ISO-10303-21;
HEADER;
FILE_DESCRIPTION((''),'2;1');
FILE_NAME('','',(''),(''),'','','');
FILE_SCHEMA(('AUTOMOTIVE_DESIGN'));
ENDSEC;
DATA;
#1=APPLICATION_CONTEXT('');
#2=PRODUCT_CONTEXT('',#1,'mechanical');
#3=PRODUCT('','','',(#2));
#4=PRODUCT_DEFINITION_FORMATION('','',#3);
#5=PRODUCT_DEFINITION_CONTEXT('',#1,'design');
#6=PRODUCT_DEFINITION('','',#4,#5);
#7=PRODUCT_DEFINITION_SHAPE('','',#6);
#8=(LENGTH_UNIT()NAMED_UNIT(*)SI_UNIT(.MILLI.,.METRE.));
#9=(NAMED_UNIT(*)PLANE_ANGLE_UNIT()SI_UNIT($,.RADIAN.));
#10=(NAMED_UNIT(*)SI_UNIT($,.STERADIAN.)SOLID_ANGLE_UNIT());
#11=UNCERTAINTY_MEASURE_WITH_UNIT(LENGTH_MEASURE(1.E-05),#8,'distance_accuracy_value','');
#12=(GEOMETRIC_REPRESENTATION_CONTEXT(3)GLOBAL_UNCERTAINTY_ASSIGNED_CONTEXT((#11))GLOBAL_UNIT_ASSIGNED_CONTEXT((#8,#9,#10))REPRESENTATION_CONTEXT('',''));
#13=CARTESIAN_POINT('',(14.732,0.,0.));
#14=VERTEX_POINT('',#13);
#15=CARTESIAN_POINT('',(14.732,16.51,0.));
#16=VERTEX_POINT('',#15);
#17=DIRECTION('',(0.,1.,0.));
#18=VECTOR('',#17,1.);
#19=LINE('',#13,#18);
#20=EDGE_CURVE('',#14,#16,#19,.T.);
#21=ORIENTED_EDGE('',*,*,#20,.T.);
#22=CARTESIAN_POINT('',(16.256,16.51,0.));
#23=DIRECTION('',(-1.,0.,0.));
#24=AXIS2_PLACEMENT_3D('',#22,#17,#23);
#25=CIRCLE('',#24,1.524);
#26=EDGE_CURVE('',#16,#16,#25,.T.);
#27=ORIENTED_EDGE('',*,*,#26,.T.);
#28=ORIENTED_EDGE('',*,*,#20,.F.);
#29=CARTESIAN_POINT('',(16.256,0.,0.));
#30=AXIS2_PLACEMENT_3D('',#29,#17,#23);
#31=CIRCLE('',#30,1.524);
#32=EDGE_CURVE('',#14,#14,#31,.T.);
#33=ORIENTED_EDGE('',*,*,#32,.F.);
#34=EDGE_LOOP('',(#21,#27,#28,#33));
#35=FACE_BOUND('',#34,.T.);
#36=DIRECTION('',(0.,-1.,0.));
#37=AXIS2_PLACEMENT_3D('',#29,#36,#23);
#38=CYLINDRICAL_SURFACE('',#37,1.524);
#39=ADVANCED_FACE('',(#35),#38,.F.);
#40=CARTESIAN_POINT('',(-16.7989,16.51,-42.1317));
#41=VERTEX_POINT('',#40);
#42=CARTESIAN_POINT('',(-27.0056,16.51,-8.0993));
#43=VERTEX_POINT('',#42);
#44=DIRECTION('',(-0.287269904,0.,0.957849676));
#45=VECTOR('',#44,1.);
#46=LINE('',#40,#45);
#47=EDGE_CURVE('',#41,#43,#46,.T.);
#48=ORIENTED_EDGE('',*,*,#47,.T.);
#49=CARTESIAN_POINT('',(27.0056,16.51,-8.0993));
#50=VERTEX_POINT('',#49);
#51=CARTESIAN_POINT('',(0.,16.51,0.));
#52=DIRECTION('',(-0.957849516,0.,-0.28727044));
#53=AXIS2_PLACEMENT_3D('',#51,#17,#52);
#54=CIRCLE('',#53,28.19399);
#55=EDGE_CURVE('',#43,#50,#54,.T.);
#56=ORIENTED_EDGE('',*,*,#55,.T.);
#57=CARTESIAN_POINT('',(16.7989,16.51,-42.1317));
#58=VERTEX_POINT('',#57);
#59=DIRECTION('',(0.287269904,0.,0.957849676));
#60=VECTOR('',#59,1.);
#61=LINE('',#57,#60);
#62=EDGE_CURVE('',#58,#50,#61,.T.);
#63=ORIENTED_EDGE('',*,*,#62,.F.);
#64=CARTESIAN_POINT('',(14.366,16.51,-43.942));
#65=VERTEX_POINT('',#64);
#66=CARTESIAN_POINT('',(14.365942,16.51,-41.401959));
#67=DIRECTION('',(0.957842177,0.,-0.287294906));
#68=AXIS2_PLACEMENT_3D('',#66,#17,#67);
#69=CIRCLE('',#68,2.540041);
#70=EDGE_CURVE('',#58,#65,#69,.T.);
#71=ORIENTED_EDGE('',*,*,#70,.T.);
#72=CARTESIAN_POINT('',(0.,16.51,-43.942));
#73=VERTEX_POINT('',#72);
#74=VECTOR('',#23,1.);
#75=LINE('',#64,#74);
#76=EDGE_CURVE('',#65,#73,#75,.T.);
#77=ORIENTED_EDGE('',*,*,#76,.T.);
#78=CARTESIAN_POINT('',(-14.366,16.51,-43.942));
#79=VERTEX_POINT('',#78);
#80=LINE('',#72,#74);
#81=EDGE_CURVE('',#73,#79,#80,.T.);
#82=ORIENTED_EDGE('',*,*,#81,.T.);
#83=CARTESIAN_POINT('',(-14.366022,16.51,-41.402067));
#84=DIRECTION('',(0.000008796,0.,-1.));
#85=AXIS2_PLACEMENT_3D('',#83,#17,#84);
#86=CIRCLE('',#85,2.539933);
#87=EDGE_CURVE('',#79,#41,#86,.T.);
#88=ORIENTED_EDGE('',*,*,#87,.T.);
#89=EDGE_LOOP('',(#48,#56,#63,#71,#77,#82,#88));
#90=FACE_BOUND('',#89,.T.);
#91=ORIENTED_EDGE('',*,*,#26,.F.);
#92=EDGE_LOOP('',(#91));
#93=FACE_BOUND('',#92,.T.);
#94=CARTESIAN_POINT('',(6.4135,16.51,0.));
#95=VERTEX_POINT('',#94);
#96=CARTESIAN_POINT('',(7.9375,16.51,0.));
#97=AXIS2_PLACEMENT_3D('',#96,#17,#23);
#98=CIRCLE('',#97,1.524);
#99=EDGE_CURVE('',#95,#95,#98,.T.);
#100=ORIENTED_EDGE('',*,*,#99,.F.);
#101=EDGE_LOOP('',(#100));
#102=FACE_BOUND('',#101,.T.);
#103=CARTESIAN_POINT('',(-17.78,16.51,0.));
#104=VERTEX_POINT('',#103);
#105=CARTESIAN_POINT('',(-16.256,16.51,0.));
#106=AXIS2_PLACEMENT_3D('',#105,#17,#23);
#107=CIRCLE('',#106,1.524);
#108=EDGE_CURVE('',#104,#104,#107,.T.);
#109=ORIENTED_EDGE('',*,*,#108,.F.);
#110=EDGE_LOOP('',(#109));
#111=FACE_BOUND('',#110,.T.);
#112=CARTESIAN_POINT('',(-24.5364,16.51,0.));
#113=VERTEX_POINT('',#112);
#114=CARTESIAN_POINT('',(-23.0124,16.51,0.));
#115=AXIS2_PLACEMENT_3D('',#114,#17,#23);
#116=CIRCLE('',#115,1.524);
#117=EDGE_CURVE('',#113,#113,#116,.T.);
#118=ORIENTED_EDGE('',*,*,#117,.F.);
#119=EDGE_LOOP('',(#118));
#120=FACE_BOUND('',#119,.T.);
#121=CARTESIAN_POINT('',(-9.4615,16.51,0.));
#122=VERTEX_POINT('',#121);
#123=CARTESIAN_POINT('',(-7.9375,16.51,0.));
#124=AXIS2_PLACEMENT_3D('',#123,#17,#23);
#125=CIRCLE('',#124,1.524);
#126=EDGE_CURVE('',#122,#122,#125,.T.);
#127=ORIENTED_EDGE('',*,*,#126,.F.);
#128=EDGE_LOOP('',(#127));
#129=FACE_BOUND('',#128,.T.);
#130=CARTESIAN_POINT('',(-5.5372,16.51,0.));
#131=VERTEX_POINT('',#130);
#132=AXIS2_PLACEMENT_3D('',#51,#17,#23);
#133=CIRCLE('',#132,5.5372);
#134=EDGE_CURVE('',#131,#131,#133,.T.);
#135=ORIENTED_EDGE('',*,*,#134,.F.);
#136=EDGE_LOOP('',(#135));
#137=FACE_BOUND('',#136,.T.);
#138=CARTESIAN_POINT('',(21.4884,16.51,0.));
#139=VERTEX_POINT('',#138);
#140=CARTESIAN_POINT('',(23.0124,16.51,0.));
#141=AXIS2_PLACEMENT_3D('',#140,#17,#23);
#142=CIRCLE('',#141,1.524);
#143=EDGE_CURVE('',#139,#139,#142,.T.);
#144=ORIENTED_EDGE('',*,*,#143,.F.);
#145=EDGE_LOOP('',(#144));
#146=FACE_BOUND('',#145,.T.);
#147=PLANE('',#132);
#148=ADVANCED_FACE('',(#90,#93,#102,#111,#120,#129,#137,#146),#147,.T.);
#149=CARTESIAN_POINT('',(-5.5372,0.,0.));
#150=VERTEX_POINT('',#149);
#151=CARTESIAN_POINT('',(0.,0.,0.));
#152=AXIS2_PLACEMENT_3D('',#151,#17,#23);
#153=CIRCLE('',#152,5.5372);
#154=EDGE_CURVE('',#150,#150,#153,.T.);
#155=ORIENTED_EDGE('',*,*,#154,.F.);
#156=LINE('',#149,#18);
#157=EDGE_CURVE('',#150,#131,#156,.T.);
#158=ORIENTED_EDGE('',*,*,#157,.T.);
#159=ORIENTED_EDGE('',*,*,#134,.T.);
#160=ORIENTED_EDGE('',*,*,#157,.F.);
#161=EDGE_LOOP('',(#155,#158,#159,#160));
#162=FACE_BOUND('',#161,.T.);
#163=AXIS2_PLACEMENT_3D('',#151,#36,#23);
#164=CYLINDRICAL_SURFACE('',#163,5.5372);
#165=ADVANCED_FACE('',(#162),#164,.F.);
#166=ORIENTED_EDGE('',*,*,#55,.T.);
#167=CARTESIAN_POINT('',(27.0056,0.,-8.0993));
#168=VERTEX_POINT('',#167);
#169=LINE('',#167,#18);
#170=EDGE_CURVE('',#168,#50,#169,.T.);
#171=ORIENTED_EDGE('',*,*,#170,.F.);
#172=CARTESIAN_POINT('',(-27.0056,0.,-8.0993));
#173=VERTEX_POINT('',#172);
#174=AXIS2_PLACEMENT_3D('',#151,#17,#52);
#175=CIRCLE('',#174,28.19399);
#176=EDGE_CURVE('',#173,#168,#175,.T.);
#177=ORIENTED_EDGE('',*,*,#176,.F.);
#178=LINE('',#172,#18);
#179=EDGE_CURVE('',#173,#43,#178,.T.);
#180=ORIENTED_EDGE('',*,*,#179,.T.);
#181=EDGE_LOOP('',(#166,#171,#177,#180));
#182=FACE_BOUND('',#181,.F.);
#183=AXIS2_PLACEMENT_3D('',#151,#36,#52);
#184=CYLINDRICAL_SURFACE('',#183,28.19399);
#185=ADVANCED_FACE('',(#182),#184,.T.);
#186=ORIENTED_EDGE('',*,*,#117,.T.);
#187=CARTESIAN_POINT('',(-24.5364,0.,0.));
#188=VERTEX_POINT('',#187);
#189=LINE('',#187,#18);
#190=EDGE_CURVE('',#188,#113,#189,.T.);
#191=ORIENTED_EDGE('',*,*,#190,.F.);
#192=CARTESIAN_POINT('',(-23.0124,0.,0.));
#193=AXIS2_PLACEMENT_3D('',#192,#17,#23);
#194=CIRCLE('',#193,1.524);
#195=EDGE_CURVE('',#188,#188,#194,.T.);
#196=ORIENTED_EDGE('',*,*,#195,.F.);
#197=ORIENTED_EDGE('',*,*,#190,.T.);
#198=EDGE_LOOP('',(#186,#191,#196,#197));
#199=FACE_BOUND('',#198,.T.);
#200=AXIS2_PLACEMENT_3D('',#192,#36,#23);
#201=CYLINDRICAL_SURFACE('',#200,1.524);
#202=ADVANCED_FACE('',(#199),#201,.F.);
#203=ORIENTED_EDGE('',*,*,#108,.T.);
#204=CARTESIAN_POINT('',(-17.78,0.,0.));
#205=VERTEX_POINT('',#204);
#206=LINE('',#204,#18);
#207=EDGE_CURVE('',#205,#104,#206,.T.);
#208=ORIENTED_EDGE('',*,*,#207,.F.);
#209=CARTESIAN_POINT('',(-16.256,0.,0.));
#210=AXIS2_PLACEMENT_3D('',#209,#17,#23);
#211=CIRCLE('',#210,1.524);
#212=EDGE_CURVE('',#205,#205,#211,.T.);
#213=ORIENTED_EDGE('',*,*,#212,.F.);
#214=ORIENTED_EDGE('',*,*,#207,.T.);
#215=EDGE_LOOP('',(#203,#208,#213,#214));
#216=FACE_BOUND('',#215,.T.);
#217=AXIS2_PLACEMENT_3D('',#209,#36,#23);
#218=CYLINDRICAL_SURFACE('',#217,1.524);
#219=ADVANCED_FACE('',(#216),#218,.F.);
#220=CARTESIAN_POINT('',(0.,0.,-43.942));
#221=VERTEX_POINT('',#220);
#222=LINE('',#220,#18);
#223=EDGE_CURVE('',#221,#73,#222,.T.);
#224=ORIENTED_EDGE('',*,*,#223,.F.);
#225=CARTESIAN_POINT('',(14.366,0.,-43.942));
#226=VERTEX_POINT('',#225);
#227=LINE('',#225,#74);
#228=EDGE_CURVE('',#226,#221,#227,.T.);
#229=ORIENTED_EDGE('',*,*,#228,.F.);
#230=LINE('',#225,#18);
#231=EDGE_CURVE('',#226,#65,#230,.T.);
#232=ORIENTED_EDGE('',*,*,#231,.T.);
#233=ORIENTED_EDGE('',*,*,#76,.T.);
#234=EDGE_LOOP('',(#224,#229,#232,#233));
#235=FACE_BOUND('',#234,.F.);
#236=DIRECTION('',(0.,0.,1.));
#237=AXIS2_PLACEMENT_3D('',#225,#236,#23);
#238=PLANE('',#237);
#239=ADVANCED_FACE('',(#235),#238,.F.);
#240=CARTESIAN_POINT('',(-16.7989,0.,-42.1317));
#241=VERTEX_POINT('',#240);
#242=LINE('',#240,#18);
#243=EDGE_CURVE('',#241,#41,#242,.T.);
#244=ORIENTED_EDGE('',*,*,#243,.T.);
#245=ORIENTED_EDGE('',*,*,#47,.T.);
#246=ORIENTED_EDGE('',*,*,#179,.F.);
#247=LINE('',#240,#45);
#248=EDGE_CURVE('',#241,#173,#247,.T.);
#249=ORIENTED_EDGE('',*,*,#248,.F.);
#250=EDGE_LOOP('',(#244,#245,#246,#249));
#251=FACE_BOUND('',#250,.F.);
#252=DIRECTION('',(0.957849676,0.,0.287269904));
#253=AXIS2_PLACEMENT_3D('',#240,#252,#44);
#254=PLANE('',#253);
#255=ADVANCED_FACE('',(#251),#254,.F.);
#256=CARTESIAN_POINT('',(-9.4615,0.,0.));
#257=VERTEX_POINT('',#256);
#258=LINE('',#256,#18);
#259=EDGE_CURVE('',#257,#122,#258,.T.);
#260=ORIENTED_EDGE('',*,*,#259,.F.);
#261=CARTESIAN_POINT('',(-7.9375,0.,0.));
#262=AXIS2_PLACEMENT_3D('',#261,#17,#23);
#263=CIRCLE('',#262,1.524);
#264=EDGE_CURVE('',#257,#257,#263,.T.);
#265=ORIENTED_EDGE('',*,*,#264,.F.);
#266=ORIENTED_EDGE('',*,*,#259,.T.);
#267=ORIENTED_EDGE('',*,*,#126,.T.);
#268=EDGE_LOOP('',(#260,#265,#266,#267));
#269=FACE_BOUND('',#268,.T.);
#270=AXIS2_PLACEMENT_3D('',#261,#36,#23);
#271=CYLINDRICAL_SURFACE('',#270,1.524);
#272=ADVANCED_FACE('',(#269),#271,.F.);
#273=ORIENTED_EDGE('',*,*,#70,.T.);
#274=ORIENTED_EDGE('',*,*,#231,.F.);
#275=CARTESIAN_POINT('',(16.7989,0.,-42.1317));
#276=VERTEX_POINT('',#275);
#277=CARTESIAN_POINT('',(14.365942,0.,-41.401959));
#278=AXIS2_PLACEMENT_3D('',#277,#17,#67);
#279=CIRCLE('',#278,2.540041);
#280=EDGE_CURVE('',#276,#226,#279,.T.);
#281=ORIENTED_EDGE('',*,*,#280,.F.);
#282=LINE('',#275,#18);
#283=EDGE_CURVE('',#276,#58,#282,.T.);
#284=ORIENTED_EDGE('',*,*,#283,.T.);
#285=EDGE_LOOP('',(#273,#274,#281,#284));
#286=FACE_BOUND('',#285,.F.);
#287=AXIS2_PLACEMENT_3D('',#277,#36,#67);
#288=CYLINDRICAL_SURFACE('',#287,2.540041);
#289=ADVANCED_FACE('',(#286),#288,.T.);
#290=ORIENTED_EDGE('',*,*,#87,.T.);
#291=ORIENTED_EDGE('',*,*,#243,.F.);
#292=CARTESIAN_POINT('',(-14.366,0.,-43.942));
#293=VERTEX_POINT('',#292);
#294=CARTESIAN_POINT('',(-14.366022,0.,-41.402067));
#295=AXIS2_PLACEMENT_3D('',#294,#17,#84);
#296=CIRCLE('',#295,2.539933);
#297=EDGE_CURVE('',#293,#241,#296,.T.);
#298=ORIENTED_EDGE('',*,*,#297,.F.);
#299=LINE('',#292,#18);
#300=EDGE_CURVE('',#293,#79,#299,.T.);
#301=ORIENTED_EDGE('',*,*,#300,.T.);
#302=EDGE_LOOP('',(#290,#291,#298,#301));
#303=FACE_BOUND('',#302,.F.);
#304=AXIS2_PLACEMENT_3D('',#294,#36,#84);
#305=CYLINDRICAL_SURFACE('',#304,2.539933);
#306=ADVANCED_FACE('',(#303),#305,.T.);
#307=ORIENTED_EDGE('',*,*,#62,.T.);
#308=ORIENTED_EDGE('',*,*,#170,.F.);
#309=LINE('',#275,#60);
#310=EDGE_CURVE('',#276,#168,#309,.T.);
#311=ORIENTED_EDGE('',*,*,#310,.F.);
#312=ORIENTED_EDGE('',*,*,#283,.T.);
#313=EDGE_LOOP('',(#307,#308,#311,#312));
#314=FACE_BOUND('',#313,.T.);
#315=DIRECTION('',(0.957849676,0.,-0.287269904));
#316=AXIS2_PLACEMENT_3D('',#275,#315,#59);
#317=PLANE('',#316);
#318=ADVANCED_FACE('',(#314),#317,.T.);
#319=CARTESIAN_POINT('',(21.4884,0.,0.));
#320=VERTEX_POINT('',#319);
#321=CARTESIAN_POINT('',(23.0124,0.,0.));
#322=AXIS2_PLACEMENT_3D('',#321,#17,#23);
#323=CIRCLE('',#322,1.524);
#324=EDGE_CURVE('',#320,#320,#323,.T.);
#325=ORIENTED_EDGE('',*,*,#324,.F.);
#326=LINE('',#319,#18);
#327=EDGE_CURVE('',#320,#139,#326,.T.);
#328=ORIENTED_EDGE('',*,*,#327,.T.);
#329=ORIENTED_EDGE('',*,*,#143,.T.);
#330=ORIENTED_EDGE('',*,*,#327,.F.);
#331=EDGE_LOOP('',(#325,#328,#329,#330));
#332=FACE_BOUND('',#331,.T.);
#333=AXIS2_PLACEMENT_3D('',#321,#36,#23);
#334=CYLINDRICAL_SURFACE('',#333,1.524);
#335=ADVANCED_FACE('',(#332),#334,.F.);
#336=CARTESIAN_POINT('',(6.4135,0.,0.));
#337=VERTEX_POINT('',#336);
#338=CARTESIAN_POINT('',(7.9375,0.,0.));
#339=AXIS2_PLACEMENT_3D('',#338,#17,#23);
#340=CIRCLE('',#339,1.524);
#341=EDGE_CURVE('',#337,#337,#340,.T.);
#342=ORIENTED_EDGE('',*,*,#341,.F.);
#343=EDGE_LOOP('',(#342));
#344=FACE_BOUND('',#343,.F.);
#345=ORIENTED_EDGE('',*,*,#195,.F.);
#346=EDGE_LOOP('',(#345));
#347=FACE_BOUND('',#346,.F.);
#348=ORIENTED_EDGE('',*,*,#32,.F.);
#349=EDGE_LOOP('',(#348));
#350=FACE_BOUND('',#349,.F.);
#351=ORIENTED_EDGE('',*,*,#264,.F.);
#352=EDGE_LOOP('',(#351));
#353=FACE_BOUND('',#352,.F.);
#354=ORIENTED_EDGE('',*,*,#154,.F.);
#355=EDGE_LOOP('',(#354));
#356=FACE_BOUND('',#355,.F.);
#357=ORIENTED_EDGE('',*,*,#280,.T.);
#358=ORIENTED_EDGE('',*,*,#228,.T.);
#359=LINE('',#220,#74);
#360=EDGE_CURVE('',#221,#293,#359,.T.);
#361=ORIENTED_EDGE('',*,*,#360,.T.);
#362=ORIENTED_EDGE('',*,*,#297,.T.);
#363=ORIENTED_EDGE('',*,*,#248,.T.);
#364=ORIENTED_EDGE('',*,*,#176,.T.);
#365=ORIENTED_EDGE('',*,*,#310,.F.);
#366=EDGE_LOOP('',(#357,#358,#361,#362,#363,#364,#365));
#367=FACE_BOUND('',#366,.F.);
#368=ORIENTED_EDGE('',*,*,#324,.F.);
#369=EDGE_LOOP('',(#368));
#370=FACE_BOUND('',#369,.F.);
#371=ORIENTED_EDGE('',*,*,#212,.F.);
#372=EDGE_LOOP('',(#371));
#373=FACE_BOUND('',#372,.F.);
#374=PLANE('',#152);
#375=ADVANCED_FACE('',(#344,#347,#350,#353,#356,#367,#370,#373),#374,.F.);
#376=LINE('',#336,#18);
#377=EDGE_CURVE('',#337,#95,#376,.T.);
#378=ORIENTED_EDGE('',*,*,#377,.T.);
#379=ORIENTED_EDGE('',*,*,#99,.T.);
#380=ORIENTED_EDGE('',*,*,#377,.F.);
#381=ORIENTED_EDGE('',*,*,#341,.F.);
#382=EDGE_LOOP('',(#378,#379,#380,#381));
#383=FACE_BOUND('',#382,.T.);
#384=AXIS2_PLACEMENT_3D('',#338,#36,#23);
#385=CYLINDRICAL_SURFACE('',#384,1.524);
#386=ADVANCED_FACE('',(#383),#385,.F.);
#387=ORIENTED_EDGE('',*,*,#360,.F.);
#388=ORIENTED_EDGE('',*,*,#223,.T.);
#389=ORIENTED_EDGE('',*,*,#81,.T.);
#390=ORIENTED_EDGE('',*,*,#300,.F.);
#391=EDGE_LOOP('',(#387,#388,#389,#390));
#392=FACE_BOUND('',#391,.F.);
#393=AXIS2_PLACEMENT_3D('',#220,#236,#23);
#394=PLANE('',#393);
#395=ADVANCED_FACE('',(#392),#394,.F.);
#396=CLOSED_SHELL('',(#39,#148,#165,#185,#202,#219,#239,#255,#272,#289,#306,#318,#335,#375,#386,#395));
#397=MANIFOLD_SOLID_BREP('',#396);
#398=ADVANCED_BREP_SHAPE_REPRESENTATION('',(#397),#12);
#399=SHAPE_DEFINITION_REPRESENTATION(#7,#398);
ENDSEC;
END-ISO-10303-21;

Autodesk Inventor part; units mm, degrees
ref_plane "YZ Plane" through (0, 0, 0) normal (1, 0, 0) x (0, 1, 0)
ref_plane "XZ Plane" through (0, 0, 0) normal (0, 1, 0) x (-1, 0, 0)
ref_plane "XY Plane" through (0, 0, 0) normal (0, 0, 1) x (1, 0, 0)
sketch "Sketch1" plane through (0, 0, 0) normal (0, 1, 0) x (-1, 0, 0)
  arc A0 (27.0056, -8.0993) -> (-27.0056, -8.0993) centre (0, 0) ccw
  line L0 (0, -43.942) -> (14.366, -43.942)
  line L1 (-14.366, -43.942) -> (0, -43.942)
  line L2 (0, 15.1299) -> (0, -95.843) construction
  line L3 (33.8234, 0) -> (-34.0336, 0) construction
  line L4 (16.256, 0) -> (16.256, -43.942) construction
  line L5 (16.7989, -42.1317) -> (27.0056, -8.0993)
  line L6 (-16.7989, -42.1317) -> (-27.0056, -8.0993)
  circle A1 centre (0, 0) radius 5.5372
  arc A2 (14.366, -43.942) -> (16.7989, -42.1317) centre (14.366, -41.402) ccw
  arc A3 (-16.7989, -42.1317) -> (-14.366, -43.942) centre (-14.366, -41.402) ccw
  circle A4 centre (7.9375, 0) radius 1.524
  line L7 (0, 0) -> (7.9375, 0) construction
  circle A5 centre (-7.9375, 0) radius 1.524
  line L8 (0, 0) -> (-7.9375, 0) construction
  circle A6 centre (16.256, 0) radius 1.524
  line L9 (0, 0) -> (16.256, 0) construction
  circle A7 centre (-16.256, 0) radius 1.524
  line L10 (0, 0) -> (-16.256, 0) construction
  circle A8 centre (23.0124, 0) radius 1.524
  line L11 (0, 0) -> (23.0124, 0) construction
  circle A9 centre (-23.0124, 0) radius 1.524
  line L12 (0, 0) -> (-23.0124, 0) construction
  point P0 (-16.256, -43.942)
  dimension "d0" = 56.388
  dimension "d4" = 16.256
  dimension "d5" = 16.256
  dimension "d6" = 43.942
  dimension "d7" = 11.0744
  dimension "d8" = 2.54
  dimension "d9" = 3.048
  dimension "d10" = 7.9375
  dimension "d12" = 3.048
  dimension "d13" = 16.256
  dimension "d15" = 3.048
  dimension "d16" = 23.0124
extrude "Extrusion1" add sketch "Sketch1" along normal blind 16.51
properties part number "encoder"
